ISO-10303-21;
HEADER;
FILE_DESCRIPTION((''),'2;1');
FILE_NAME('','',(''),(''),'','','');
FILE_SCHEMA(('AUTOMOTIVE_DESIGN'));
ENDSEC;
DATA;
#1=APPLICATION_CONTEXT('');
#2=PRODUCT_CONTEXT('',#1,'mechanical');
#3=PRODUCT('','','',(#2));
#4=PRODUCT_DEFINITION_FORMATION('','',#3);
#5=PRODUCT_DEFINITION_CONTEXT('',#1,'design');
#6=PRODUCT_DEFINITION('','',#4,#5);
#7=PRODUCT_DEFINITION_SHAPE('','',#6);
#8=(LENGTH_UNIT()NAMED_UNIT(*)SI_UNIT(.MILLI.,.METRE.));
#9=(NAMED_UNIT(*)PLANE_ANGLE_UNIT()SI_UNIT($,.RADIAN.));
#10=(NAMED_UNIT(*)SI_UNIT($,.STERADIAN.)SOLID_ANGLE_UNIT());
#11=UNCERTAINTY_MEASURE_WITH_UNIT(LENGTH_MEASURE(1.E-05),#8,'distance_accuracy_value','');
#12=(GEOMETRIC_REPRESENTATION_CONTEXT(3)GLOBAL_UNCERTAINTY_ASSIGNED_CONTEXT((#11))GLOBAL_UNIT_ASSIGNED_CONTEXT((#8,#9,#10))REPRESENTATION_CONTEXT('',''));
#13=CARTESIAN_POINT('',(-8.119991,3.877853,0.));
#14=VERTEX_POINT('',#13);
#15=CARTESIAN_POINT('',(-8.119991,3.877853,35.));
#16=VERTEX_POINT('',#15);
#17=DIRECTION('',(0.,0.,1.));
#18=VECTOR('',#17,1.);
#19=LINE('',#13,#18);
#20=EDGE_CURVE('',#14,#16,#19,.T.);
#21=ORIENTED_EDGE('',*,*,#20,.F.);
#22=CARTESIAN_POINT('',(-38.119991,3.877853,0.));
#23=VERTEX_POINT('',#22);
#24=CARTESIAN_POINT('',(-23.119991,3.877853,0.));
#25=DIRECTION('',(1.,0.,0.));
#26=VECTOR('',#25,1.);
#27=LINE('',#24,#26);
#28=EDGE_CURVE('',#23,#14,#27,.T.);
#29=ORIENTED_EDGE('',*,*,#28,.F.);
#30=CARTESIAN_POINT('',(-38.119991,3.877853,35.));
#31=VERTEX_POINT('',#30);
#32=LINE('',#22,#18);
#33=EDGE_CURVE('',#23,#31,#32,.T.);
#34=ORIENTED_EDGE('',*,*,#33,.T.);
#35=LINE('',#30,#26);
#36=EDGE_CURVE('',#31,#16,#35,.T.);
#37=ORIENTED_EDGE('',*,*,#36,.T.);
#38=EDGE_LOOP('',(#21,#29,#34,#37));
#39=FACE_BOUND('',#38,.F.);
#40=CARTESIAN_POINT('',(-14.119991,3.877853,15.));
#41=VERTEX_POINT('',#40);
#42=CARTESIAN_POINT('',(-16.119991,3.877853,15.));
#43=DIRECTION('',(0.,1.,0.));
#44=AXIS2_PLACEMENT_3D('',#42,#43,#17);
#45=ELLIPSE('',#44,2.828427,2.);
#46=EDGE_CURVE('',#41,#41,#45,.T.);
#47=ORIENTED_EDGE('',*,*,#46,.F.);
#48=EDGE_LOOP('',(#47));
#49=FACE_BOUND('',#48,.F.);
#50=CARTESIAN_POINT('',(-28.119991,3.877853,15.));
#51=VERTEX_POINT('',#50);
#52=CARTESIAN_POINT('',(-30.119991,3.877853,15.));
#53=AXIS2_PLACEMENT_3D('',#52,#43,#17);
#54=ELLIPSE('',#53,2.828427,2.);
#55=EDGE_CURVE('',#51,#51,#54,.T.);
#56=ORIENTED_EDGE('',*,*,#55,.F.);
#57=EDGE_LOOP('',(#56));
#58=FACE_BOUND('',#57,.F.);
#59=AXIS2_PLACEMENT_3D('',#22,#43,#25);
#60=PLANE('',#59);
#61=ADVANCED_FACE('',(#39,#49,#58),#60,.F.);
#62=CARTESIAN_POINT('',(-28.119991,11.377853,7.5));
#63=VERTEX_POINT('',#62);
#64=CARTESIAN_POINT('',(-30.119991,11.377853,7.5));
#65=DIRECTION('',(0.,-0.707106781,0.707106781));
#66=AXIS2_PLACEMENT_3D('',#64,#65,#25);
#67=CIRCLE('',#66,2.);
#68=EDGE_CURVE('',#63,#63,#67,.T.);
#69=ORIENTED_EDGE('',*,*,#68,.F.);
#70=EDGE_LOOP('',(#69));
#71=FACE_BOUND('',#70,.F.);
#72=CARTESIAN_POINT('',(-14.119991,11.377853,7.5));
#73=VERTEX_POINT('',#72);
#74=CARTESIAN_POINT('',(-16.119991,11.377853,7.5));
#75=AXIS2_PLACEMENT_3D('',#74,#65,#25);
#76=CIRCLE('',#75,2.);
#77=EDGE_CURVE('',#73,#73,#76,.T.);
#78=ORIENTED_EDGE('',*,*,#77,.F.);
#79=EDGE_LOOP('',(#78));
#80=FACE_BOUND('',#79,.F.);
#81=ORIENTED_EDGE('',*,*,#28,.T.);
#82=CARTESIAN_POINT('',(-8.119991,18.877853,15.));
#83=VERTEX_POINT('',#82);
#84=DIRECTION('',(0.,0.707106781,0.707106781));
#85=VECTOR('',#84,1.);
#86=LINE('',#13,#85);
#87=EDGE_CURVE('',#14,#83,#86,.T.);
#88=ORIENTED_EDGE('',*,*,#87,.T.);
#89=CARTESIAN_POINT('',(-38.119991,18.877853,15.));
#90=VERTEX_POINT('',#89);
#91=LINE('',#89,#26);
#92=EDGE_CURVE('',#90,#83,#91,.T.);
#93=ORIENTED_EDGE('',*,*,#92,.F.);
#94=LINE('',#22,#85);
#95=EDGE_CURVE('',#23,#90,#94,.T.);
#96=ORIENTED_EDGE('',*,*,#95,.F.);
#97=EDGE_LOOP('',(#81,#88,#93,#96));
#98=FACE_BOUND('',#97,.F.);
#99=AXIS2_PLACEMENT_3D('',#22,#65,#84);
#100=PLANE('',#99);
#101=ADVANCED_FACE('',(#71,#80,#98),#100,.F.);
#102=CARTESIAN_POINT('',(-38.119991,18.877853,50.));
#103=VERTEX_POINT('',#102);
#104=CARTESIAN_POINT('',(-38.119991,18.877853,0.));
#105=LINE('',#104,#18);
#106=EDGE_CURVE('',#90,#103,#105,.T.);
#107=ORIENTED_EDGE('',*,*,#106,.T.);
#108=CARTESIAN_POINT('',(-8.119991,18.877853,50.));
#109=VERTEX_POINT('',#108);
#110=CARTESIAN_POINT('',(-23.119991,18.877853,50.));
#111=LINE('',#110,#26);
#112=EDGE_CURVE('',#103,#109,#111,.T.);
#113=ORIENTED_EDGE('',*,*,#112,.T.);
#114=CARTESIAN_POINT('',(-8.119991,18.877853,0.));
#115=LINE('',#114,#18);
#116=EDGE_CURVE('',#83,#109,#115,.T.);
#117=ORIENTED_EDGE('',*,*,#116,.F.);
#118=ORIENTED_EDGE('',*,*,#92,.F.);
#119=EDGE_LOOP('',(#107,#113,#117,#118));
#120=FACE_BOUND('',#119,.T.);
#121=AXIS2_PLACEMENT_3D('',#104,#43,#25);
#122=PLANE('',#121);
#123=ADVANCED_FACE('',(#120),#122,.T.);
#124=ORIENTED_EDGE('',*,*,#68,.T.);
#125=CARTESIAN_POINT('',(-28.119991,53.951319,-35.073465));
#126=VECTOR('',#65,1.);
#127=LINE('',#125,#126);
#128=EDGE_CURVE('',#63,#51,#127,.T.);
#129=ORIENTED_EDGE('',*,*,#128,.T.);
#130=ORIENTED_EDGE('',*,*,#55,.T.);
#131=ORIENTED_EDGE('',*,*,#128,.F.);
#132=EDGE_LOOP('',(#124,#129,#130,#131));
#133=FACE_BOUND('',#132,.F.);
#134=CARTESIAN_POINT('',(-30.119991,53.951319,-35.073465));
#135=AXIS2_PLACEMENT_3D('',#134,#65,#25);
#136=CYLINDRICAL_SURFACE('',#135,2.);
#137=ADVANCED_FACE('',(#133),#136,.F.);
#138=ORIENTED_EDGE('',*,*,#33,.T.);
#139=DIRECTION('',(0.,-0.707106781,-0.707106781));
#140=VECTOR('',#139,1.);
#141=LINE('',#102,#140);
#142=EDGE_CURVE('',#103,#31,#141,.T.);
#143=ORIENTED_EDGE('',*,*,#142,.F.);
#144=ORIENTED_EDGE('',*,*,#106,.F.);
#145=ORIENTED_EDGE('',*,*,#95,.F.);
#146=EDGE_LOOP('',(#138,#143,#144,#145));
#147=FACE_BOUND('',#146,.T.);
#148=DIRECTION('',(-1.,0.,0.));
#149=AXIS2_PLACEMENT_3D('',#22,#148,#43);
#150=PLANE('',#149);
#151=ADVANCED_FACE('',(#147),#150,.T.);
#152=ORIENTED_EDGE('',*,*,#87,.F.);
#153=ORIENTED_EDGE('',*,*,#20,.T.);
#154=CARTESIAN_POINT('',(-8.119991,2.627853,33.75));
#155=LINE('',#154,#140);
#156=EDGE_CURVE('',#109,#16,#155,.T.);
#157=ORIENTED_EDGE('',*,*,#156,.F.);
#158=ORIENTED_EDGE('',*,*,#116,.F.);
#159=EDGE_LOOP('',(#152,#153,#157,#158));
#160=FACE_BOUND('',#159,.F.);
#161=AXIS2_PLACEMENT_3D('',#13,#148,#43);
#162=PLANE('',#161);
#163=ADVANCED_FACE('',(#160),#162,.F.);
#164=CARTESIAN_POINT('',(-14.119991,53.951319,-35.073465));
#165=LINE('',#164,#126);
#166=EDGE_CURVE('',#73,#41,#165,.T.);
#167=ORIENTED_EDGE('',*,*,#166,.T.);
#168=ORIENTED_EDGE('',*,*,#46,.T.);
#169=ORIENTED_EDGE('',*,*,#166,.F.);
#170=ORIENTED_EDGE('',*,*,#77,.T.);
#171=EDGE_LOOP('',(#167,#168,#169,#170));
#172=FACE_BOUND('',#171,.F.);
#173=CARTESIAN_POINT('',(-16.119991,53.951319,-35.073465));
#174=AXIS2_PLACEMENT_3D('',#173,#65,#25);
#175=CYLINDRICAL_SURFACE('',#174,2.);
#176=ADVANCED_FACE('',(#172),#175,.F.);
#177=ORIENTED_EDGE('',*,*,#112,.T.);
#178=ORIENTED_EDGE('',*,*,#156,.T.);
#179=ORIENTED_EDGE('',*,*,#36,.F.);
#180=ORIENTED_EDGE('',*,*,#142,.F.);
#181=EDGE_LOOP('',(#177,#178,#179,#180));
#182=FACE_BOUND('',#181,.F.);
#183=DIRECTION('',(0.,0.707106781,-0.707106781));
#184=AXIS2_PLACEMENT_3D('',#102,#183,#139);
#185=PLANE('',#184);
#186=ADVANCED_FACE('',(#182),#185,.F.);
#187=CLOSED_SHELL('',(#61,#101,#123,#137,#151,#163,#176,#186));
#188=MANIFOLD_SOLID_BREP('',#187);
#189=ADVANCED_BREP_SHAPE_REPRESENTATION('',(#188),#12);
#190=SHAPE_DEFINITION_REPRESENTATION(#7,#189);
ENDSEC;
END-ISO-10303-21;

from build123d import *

# Parameters (mm, degrees)
F0_W     = 30
F0_H     = 15
F1_DEPTH = 50
F3_DEPTH = 30.001
F5_D     = 4


with BuildPart() as f1:
    # F0 (on Top) → F1 (new body)
    with BuildSketch(Plane.XY):
        with Locations((-23.119991, 11.377853)):
            Rectangle(F0_W, F0_H)
    extrude(amount=F1_DEPTH)

    # F2 (on face) → F3 (cut, through all)
    with BuildSketch(Plane(origin=(-38.119991, 0, 0), x_dir=(0, -1, 0), z_dir=(-1, 0, 0))):
        Polygon((-3.877853, 50), (-18.877853, 50), (-3.877853, 35), align=None)
        Polygon((-3.877853, 0), (-18.877853, 15), (-18.877853, 0), align=None)
    extrude(amount=-F3_DEPTH, mode=Mode.SUBTRACT)

    # F5 (through all)
    with Locations(Plane(origin=(0, 1.938926, -1.938926), x_dir=(-1, 0, 0), z_dir=(0, 0.707107, -0.707107))):
        with Locations((30.119991, 13.348658), (16.119991, 13.348658)):
            Hole(F5_D / 2)


solid = f1.part
